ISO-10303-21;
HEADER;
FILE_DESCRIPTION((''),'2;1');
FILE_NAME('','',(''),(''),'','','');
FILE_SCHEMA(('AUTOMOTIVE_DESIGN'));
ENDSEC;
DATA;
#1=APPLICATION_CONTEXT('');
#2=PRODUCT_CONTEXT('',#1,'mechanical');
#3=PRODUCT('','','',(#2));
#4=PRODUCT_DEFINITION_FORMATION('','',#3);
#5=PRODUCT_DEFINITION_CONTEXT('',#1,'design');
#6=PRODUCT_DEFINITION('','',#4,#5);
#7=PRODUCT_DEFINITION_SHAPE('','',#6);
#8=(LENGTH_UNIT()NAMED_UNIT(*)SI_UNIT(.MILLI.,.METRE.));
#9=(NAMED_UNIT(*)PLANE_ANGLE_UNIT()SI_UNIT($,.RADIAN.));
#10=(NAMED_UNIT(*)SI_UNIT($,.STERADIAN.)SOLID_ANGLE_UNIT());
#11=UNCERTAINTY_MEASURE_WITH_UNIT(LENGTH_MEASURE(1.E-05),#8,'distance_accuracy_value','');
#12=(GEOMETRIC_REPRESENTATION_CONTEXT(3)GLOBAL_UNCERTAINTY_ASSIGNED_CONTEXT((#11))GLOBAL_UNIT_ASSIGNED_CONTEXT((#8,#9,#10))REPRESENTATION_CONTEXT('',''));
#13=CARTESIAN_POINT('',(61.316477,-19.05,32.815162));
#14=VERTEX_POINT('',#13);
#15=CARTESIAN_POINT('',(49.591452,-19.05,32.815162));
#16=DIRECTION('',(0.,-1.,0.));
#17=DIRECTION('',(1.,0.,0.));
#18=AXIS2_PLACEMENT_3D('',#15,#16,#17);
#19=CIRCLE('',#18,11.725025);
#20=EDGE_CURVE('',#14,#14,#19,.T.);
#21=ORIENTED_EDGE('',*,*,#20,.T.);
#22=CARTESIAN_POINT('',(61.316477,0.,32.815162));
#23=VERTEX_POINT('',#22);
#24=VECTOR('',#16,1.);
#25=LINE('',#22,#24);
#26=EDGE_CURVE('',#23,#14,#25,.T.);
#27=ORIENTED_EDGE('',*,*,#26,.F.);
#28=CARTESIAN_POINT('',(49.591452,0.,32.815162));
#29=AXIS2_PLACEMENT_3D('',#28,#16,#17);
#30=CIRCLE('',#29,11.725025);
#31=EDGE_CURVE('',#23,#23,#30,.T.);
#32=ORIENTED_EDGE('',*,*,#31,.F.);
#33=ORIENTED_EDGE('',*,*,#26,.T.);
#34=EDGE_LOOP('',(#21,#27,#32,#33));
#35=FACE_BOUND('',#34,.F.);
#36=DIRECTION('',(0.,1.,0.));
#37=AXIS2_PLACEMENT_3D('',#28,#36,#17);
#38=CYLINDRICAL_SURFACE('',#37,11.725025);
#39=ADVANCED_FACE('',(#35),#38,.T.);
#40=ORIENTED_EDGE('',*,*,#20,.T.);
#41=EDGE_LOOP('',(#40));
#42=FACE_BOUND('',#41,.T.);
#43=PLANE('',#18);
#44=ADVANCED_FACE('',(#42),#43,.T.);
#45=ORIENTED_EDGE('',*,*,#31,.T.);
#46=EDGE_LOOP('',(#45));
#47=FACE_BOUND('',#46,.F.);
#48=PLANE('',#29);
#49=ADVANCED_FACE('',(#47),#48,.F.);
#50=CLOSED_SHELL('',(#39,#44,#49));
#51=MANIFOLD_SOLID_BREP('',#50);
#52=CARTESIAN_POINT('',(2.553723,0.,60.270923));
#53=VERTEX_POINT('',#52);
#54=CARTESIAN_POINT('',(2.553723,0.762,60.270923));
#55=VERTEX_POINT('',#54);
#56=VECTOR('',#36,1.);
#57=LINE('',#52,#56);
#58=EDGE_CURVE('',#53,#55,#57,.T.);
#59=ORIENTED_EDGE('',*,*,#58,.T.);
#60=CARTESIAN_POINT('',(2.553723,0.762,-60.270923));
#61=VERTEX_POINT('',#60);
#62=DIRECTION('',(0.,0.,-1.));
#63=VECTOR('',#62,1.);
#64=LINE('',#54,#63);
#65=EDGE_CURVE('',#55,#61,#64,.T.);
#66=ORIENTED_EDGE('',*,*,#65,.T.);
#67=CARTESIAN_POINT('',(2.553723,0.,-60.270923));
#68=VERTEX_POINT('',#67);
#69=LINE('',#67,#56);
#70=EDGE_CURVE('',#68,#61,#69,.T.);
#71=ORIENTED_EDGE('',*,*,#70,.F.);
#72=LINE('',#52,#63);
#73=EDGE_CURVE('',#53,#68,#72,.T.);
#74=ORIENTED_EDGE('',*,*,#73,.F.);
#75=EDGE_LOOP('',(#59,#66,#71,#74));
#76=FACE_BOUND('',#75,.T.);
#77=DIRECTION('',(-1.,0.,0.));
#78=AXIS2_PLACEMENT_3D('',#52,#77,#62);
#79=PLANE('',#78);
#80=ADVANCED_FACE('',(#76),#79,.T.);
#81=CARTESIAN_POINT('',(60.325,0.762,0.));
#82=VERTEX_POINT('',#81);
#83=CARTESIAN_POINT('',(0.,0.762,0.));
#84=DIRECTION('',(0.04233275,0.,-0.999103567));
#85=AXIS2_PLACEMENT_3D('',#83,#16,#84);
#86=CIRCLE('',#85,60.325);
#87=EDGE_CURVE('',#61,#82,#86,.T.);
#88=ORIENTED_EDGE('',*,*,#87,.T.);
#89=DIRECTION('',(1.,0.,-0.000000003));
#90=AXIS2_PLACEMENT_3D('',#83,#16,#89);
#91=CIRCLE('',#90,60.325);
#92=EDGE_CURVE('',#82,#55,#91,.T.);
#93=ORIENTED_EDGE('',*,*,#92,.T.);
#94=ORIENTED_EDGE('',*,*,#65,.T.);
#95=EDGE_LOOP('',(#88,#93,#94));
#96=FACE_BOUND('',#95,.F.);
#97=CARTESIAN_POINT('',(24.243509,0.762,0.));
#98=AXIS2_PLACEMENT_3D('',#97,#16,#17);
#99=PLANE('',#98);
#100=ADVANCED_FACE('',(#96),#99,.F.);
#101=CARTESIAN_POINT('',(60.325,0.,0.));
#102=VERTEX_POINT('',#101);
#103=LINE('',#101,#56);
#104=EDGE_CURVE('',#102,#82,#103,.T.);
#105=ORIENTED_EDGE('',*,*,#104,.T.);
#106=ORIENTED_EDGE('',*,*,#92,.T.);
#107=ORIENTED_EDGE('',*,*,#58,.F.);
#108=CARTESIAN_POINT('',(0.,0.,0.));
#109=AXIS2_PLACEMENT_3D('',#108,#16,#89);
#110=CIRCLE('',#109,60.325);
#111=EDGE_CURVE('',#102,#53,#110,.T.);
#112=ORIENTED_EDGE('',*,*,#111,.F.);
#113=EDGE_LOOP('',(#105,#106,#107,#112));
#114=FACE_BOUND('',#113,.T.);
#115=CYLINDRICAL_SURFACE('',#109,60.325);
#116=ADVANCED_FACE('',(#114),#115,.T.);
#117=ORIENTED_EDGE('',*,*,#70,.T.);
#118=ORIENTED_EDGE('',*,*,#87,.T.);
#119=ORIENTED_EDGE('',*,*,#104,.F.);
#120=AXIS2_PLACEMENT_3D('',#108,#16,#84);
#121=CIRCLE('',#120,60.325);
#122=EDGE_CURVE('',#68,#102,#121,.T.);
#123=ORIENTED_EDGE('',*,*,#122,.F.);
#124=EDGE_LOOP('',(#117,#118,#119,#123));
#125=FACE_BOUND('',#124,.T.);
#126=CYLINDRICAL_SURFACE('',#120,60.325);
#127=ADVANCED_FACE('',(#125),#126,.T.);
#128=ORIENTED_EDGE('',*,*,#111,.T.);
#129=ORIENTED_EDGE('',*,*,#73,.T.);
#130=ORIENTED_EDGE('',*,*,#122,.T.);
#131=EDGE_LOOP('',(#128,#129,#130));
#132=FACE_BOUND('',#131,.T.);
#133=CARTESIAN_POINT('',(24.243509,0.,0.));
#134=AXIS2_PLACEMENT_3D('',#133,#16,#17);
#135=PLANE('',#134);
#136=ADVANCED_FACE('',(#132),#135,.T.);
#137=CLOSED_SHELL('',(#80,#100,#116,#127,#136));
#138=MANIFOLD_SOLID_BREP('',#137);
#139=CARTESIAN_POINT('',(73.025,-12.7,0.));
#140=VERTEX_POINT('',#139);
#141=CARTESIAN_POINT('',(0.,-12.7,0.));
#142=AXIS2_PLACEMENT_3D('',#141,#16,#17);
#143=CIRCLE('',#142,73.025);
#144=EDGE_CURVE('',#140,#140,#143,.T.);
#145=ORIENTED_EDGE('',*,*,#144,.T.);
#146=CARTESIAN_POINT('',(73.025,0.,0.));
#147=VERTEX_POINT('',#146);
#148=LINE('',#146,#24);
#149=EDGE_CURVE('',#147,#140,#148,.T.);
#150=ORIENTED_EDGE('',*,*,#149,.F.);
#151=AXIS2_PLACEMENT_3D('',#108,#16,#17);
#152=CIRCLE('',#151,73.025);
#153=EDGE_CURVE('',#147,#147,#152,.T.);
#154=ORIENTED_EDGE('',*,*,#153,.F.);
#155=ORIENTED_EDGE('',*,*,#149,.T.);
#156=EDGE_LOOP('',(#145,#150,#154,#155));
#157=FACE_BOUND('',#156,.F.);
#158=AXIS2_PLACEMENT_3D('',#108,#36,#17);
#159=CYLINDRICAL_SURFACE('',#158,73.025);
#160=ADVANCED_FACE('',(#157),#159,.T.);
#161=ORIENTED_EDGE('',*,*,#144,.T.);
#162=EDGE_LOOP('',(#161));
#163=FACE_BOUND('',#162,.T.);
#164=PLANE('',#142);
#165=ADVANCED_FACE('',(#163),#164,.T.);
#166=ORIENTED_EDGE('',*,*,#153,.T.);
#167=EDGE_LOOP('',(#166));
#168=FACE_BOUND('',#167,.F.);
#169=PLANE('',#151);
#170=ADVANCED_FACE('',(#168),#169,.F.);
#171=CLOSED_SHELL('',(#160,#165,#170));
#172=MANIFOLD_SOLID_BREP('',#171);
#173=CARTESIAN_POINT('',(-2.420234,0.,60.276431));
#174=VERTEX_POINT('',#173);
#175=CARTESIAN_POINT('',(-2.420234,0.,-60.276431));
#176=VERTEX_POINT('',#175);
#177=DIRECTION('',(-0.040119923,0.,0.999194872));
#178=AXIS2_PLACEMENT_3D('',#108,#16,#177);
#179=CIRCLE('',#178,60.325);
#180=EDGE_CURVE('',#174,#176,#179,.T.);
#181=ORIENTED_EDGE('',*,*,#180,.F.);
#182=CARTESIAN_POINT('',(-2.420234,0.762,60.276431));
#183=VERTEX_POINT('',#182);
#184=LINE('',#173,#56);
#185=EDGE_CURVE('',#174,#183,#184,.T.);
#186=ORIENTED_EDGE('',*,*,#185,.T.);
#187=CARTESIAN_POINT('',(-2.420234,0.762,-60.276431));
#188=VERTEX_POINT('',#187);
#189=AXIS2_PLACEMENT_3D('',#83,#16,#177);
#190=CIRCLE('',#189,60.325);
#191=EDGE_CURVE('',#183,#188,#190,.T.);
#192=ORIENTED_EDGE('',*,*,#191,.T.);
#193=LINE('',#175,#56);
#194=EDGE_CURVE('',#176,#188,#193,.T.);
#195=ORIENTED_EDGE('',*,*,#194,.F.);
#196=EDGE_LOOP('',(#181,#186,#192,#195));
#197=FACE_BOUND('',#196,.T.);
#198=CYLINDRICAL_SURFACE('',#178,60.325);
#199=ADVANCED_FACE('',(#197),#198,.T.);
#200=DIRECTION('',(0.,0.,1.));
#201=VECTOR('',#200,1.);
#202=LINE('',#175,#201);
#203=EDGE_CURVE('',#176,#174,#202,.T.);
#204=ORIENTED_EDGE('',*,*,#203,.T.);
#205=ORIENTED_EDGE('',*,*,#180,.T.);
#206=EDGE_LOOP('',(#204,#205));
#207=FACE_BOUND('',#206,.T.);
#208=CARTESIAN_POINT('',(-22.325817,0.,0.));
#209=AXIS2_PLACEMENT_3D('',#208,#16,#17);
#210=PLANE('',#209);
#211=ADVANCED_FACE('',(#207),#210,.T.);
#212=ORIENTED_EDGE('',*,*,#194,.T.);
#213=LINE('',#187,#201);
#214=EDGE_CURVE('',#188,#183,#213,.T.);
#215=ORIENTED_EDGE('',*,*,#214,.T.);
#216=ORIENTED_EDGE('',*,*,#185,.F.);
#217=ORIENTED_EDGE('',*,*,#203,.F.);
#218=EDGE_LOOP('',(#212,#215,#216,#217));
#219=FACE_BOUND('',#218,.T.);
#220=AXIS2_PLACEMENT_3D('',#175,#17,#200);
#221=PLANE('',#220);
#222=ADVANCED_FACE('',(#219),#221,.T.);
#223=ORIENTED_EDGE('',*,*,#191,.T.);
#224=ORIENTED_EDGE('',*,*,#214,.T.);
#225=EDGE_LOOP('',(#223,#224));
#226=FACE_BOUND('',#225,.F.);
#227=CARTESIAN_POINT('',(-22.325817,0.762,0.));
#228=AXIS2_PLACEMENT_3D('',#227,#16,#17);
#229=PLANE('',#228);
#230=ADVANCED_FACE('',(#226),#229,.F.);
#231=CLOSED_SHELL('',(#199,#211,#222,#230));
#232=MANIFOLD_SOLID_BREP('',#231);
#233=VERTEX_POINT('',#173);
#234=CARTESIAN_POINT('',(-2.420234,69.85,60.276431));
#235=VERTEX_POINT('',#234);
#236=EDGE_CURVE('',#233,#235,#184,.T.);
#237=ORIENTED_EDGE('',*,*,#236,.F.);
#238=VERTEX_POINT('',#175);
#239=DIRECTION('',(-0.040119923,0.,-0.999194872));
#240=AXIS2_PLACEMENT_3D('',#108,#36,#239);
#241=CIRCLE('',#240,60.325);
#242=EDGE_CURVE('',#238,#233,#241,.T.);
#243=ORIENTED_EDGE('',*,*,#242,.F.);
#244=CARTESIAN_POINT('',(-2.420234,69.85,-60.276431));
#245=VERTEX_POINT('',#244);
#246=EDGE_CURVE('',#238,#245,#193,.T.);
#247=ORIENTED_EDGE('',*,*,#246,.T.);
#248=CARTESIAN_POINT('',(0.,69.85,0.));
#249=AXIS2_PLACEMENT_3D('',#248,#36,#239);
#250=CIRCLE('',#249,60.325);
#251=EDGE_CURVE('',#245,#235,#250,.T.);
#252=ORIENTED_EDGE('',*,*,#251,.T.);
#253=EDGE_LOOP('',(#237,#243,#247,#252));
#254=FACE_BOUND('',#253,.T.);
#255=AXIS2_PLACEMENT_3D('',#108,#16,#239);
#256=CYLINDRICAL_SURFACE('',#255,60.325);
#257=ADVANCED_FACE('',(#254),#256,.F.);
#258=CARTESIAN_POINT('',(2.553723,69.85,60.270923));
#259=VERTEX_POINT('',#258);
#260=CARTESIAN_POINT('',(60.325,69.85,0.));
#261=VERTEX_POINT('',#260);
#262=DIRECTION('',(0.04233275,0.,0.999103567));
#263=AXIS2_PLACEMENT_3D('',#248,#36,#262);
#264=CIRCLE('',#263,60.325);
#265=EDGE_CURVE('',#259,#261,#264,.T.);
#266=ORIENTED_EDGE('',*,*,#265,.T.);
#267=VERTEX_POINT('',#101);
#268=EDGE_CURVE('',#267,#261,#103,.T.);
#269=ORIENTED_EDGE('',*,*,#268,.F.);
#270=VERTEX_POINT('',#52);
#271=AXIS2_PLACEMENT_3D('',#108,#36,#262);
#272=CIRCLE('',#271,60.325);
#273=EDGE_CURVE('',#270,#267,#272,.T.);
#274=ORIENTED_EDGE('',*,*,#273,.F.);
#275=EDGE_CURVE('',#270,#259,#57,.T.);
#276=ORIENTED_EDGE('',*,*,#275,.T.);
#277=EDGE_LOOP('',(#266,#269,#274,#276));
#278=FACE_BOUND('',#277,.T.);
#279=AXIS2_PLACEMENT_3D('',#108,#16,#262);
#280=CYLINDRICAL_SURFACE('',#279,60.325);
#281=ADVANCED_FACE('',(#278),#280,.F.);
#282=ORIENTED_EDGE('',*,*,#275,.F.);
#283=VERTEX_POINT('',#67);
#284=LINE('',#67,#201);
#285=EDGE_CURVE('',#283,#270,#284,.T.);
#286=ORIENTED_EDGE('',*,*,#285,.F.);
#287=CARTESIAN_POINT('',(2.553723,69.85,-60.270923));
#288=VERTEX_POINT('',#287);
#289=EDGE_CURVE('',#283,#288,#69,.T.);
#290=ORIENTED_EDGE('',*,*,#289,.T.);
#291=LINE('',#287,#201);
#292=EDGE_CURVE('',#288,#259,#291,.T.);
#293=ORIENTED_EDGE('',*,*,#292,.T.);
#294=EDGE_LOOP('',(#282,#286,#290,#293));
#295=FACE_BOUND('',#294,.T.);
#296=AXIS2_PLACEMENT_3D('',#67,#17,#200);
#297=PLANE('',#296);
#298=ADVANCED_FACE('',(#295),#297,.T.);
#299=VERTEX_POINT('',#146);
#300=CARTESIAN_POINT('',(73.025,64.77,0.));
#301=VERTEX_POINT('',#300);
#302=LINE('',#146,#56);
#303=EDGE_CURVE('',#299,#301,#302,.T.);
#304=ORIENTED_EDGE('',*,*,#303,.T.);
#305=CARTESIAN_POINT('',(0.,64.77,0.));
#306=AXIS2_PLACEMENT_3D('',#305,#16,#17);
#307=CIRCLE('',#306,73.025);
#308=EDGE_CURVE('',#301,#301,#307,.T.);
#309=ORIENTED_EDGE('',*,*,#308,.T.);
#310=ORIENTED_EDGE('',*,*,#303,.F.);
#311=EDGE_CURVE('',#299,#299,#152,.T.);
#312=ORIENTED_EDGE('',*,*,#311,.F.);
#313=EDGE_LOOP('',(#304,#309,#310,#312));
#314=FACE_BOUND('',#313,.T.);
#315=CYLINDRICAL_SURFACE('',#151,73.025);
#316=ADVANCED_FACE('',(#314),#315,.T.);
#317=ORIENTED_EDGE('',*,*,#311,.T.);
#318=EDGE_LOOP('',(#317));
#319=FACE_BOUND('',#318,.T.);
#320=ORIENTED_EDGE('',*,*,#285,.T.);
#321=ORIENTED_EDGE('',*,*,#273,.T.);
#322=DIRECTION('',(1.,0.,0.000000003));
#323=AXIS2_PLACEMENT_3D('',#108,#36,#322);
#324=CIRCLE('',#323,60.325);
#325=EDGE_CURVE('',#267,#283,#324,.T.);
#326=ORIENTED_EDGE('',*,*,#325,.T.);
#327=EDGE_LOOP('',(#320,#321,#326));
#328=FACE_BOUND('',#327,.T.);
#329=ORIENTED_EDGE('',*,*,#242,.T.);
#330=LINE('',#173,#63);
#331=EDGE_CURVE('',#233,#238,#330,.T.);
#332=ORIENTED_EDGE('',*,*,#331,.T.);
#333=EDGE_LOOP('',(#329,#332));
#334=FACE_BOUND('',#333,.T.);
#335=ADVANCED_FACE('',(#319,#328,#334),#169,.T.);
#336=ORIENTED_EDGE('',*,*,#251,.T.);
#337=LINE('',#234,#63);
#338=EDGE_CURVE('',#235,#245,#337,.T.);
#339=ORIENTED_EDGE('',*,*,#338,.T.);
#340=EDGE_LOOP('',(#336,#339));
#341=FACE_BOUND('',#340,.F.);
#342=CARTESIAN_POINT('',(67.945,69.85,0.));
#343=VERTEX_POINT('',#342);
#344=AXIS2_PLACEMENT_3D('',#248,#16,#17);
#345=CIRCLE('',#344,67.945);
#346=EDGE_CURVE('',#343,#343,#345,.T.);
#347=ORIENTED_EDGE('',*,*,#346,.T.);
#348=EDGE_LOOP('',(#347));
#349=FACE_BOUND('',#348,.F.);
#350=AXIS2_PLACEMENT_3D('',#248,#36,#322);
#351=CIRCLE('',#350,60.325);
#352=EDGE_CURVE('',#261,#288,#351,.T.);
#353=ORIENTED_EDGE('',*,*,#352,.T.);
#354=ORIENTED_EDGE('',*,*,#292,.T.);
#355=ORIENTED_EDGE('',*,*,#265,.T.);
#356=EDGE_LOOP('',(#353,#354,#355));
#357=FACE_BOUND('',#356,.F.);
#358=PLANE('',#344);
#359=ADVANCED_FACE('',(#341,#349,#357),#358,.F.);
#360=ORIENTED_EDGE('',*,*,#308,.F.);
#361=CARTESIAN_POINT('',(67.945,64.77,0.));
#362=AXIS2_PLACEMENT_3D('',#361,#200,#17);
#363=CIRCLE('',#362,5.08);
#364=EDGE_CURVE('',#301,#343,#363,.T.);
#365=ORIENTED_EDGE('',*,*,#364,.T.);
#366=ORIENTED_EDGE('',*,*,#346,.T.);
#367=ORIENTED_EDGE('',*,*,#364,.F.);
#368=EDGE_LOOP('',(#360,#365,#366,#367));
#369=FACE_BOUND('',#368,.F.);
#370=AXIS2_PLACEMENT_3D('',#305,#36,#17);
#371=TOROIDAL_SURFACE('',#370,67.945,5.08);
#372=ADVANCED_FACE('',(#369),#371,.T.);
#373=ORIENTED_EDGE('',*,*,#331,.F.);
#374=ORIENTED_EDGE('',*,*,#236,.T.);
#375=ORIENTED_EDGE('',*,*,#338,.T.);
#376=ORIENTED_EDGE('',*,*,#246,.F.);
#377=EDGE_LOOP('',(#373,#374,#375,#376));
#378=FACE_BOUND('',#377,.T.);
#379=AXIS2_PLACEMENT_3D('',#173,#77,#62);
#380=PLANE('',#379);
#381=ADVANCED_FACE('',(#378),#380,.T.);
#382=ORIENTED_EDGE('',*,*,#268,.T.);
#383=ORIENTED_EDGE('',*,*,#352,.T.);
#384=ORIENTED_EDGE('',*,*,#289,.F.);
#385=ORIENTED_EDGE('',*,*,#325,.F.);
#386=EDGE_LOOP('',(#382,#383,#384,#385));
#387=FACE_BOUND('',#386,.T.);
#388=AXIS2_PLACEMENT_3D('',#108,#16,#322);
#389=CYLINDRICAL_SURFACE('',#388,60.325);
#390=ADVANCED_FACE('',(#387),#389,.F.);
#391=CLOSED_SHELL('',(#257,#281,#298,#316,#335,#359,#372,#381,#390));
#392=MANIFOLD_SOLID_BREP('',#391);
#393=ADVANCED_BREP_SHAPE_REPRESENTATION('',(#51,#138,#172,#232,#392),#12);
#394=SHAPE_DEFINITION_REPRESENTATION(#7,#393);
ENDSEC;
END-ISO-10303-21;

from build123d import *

# Parameters (mm, degrees)
F0_R     = 73.025
F1_DEPTH = 69.85
F2_DEPTH = 0.762
F3_R     = 5.08
F4_DEPTH = 12.7
F5_R     = 11.725025
F6_DEPTH = 19.05


with BuildPart() as f1:
    # F0 (on Front) → F1 (new body)
    with BuildSketch(Plane.XZ):
        Circle(F0_R)
        with BuildLine():
            ThreePointArc((2.553723, 60.270923), (43.549736, 41.743576), (60.325, 0))
            ThreePointArc((60.325, 0), (43.549736, -41.743576), (2.553723, -60.270923))
            ThreePointArc((2.553723, -60.270923), (0.066801, -60.324963), (-2.420234, -60.276431))
            ThreePointArc((-2.420234, -60.276431), (-60.325, 0), (-2.420234, 60.276431))
            ThreePointArc((-2.420234, 60.276431), (0.066801, 60.324963), (2.553723, 60.270923))
        make_face(mode=Mode.SUBTRACT)
        with BuildLine():
            Line((2.553723, -60.270923), (2.553723, 60.270923))
            ThreePointArc((2.553723, 60.270923), (0.066801, 60.324963), (-2.420234, 60.276431))
            Line((-2.420234, 60.276431), (-2.420234, -60.276431))
            ThreePointArc((-2.420234, -60.276431), (0.066801, -60.324963), (2.553723, -60.270923))
        make_face()
    extrude(amount=-F1_DEPTH)

    # F3
    f3_edges = [f1.edges().sort_by_distance(p)[0] for p in [
        (-73.025, 69.85, 0),
    ]]
    fillet(f3_edges, radius=F3_R)


with BuildPart() as f2:
    # F0 (on Front) → F2 (new body)
    with BuildSketch(Plane.XZ):
        with BuildLine():
            ThreePointArc((2.553723, -60.270923), (43.549736, -41.743576), (60.325, 0))
            ThreePointArc((60.325, 0), (43.549736, 41.743576), (2.553723, 60.270923))
            Line((2.553723, 60.270923), (2.553723, -60.270923))
        make_face()
        with BuildLine():
            Line((-2.420234, -60.276431), (-2.420234, 60.276431))
            ThreePointArc((-2.420234, 60.276431), (-60.325, 0), (-2.420234, -60.276431))
        make_face()
    extrude(amount=-F2_DEPTH)


with BuildPart() as f4:
    # F0 (on Front) → F4 (new body)
    with BuildSketch(Plane.XZ):
        Circle(F0_R)
        with BuildLine():
            ThreePointArc((2.553723, 60.270923), (43.549736, 41.743576), (60.325, 0))
            ThreePointArc((60.325, 0), (43.549736, -41.743576), (2.553723, -60.270923))
            ThreePointArc((2.553723, -60.270923), (0.066801, -60.324963), (-2.420234, -60.276431))
            ThreePointArc((-2.420234, -60.276431), (-60.325, 0), (-2.420234, 60.276431))
            ThreePointArc((-2.420234, 60.276431), (0.066801, 60.324963), (2.553723, 60.270923))
        make_face(mode=Mode.SUBTRACT)
        with BuildLine():
            Line((-2.420234, -60.276431), (-2.420234, 60.276431))
            ThreePointArc((-2.420234, 60.276431), (-60.325, 0), (-2.420234, -60.276431))
        make_face()
        with BuildLine():
            Line((2.553723, -60.270923), (2.553723, 60.270923))
            ThreePointArc((2.553723, 60.270923), (0.066801, 60.324963), (-2.420234, 60.276431))
            Line((-2.420234, 60.276431), (-2.420234, -60.276431))
            ThreePointArc((-2.420234, -60.276431), (0.066801, -60.324963), (2.553723, -60.270923))
        make_face()
        with BuildLine():
            ThreePointArc((2.553723, -60.270923), (43.549736, -41.743576), (60.325, 0))
            ThreePointArc((60.325, 0), (43.549736, 41.743576), (2.553723, 60.270923))
            Line((2.553723, 60.270923), (2.553723, -60.270923))
        make_face()
    extrude(amount=F4_DEPTH)


with BuildPart() as f6:
    # F5 (on Front) → F6 (new body)
    with BuildSketch(Plane.XZ):
        with Locations((49.591452, 32.815162)):
            Circle(F5_R)
    extrude(amount=F6_DEPTH)


solid = Compound([f1.part, f2.part, f4.part, f6.part])
